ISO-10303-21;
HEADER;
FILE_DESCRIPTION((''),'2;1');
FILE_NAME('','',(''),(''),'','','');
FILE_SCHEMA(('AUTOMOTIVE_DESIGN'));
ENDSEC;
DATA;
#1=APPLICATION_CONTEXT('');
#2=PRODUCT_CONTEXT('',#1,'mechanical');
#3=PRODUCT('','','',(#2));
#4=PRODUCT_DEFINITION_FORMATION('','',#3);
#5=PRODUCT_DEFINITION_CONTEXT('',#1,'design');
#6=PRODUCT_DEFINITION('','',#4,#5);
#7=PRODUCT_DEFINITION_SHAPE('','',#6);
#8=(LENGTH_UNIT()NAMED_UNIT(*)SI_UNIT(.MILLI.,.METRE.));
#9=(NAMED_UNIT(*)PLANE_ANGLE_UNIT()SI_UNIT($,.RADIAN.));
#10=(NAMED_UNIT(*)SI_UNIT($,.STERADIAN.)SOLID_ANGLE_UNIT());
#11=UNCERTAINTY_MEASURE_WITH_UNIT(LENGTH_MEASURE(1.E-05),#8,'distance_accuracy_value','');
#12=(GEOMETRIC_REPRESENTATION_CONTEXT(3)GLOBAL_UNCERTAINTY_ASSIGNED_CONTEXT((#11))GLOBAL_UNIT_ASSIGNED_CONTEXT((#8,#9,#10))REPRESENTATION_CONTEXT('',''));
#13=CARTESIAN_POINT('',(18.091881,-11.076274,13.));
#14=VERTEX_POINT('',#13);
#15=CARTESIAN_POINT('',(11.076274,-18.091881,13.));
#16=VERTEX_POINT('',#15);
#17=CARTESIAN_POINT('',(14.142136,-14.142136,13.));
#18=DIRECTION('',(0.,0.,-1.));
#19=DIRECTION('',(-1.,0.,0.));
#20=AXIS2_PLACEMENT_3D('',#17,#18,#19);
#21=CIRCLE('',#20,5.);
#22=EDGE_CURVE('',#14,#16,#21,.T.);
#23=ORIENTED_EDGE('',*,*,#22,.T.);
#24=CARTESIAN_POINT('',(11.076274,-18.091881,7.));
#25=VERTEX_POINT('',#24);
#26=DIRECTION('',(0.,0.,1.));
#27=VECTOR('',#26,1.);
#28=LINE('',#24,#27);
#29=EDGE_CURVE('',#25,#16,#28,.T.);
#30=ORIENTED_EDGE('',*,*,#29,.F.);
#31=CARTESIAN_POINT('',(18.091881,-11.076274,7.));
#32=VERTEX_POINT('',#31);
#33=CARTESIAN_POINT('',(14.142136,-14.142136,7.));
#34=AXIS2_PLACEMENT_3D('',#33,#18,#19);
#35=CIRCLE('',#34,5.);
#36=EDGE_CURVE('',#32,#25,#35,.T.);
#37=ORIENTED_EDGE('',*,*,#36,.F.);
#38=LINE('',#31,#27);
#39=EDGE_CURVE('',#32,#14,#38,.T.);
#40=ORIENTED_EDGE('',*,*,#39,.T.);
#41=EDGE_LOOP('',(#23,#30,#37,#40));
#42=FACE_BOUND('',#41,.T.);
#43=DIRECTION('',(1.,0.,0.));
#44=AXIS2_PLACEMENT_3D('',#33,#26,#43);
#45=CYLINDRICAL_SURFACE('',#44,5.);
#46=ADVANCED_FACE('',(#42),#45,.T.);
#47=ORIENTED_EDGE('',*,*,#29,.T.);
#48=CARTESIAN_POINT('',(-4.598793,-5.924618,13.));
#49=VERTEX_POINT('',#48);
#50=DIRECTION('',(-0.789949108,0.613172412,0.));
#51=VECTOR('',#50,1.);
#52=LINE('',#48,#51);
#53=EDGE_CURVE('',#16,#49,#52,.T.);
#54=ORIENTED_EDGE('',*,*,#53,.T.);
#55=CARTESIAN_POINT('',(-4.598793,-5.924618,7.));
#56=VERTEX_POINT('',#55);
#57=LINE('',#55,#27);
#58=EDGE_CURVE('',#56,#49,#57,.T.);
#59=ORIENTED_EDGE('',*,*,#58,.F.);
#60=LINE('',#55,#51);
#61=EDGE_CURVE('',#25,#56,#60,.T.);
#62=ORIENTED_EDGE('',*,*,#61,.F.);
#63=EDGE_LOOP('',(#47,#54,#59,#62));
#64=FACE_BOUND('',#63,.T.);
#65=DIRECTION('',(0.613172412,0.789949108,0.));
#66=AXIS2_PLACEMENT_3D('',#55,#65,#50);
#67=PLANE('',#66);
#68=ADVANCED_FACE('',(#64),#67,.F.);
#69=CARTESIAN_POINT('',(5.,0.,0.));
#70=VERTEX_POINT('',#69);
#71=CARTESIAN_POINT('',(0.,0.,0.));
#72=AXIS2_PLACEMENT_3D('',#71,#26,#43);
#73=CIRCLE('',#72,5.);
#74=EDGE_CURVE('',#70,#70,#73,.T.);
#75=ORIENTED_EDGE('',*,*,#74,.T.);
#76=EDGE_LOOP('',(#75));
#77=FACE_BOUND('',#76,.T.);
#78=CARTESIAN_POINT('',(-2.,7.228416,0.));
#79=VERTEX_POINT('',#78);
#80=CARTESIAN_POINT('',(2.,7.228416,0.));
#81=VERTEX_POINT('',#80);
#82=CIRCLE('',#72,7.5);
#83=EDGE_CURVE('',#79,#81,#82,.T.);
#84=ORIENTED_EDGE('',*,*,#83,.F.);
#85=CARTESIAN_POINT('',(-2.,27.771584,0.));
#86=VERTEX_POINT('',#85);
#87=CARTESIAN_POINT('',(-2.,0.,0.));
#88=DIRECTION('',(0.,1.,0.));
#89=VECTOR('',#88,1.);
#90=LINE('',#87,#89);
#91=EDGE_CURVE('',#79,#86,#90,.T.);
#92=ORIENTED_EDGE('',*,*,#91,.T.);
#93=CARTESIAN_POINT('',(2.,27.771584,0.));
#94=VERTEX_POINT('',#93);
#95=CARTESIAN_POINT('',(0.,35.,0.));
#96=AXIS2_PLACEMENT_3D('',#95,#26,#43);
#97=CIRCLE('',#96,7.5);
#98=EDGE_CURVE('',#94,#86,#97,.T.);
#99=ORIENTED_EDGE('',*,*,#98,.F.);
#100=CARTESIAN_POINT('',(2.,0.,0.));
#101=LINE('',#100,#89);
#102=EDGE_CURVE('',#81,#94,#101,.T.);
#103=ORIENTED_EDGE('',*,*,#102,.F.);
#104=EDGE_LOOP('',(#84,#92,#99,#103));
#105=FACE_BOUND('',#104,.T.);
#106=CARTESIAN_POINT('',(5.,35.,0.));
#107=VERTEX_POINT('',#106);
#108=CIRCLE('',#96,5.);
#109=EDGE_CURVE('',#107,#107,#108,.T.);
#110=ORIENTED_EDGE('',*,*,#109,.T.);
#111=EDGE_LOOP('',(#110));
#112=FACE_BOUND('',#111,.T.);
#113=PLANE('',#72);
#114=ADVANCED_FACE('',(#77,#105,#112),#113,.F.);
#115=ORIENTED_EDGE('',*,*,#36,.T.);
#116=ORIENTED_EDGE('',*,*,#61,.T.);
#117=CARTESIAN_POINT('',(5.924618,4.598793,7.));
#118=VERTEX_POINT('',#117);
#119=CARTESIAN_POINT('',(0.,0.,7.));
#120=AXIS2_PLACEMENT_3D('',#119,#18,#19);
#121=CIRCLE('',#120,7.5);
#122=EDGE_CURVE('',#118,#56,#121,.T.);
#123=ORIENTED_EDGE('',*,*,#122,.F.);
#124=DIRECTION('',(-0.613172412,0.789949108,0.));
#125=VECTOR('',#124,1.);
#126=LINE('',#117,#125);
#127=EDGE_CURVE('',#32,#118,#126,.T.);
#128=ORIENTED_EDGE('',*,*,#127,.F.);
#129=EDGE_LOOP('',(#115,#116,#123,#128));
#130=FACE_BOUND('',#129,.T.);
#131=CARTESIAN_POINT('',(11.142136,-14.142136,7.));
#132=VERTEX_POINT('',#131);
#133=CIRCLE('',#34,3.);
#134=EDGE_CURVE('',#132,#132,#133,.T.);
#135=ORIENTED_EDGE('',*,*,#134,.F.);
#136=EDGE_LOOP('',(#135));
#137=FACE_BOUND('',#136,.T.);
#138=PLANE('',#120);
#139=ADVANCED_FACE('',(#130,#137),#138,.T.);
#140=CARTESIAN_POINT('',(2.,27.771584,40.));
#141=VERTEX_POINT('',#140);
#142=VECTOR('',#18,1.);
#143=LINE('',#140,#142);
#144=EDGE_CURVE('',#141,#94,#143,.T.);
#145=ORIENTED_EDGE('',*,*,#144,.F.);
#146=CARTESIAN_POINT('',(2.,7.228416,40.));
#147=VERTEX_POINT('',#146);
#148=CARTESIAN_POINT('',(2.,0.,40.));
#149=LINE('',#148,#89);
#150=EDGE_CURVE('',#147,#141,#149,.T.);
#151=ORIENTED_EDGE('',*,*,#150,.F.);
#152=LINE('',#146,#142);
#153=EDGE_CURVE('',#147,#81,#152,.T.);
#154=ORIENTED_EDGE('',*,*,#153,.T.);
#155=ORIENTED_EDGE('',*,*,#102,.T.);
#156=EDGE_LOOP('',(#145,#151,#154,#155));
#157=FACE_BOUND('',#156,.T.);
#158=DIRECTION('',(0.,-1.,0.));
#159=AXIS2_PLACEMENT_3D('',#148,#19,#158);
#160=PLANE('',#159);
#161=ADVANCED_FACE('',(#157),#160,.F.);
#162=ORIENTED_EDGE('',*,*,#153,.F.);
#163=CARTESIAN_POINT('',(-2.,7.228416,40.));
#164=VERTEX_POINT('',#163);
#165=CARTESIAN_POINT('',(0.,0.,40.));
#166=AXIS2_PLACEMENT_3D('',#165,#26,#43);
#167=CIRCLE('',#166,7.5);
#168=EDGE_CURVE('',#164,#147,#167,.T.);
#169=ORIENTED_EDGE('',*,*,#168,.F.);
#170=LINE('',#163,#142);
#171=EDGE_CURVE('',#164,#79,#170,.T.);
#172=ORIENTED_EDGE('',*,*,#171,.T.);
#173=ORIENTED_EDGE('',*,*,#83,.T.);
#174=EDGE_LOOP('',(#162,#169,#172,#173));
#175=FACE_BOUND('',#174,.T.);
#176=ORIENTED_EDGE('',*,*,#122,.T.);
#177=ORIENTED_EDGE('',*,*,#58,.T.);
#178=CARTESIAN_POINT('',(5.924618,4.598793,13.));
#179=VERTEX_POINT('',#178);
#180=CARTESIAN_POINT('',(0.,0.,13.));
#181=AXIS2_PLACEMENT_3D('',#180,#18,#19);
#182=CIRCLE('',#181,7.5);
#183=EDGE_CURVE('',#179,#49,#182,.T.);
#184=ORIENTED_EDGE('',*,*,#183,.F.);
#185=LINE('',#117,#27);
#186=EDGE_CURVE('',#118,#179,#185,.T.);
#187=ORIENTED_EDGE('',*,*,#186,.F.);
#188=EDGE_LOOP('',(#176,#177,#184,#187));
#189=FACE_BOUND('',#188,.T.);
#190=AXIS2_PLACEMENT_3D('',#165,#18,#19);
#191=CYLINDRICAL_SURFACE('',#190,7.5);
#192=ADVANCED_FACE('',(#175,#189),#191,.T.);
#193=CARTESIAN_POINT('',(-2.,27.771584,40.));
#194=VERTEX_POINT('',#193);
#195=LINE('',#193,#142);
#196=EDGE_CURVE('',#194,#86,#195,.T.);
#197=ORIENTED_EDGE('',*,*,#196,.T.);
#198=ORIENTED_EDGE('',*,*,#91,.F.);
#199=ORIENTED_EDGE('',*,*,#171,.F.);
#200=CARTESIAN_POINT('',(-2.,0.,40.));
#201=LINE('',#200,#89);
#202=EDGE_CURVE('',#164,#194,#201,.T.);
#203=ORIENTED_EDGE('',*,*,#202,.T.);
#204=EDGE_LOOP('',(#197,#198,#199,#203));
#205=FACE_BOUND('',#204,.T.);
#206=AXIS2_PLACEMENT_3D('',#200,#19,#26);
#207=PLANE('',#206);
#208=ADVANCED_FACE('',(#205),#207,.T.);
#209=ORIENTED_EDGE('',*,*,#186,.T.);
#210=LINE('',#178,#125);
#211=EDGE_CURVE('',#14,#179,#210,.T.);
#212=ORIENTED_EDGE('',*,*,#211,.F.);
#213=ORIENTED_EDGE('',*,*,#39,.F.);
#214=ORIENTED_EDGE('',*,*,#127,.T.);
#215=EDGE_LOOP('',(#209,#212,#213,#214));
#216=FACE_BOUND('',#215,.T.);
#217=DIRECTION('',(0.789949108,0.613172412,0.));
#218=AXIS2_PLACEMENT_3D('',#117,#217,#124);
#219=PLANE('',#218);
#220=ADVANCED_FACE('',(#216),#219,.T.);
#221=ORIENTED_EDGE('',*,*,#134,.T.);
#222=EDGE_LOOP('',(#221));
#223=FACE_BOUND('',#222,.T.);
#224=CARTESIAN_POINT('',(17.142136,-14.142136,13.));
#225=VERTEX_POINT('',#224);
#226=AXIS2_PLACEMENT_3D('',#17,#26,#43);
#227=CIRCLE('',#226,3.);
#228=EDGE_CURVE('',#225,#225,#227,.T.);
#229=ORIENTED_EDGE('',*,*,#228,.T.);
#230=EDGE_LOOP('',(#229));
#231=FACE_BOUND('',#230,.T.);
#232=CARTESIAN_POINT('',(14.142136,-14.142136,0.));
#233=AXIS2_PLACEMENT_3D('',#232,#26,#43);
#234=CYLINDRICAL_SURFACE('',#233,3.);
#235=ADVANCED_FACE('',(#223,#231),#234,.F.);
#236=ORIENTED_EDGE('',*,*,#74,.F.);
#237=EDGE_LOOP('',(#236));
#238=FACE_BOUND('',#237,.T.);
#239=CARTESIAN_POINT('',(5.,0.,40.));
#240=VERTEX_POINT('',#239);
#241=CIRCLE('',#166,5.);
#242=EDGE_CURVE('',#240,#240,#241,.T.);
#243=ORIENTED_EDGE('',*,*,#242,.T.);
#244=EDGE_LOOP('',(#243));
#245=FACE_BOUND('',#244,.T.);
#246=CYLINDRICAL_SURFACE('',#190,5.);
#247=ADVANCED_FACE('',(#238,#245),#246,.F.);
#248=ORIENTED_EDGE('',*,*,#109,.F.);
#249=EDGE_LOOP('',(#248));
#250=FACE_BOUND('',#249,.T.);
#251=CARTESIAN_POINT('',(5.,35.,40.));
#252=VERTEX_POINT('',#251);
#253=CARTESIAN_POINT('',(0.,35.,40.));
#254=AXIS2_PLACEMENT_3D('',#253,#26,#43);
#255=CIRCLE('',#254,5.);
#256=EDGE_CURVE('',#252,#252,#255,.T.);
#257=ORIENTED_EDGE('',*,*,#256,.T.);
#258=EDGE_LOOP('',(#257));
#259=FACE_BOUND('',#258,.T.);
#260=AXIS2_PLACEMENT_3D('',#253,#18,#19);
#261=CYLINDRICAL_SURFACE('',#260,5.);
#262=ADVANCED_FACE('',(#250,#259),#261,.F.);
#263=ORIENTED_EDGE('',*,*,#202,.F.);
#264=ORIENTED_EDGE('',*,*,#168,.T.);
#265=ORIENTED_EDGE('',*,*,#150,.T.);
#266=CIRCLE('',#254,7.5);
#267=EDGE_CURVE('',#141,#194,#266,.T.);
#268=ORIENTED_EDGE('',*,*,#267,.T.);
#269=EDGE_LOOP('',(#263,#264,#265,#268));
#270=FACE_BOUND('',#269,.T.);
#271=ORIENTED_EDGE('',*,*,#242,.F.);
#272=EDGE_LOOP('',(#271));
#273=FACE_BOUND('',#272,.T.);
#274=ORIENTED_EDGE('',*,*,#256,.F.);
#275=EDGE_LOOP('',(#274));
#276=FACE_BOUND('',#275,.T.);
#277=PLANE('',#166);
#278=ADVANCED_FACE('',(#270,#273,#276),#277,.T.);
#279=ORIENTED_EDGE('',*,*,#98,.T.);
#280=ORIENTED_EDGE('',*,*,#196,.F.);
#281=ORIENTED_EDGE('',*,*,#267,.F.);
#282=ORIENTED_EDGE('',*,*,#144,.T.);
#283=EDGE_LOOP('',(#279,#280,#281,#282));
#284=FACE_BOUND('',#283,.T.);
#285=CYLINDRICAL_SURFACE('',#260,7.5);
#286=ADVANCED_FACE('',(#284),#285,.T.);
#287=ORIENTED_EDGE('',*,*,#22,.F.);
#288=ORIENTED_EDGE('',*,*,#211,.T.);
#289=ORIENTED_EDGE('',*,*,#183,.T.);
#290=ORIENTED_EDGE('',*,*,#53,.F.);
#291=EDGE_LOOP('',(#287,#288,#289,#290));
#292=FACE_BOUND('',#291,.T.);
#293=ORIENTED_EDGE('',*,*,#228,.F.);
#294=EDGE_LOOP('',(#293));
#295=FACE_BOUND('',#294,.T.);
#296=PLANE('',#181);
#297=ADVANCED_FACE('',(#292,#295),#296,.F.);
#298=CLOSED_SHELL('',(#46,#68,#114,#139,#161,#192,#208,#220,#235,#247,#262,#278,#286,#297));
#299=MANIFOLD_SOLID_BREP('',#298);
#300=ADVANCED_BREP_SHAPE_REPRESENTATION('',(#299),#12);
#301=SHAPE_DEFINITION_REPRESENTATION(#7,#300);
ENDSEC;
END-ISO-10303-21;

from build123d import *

# Parameters (mm, degrees)
SKETCH_1_R          = 7.5
SKETCH_1_R_2        = 5
SKETCH_1_W          = 4
SKETCH_1_H          = 25
EXTRUDE_1_DEPTH     = 40
SKETCH_3_R          = 5
EXTRUDE_2_DEPTH     = 3
SKETCH_4_R          = 3
CUT_EXTRUDE_2_DEPTH = 54.867163989


with BuildPart() as part:
    # Эскиз1 → Бобышка-Вытянуть1 (new body)
    # profile 1 of 3: a face of its own
    with BuildSketch(Plane.XY):
        Circle(SKETCH_1_R)
        Circle(SKETCH_1_R_2, mode=Mode.SUBTRACT)
    # profile 2 of 3: a face of its own
    with BuildSketch(Plane.XY):
        with Locations((0, 35)):
            Circle(SKETCH_1_R)
        with Locations((0, 35)):
            Circle(SKETCH_1_R_2, mode=Mode.SUBTRACT)
    # profile 3 of 3: a face of its own
    with BuildSketch(Plane.XY):
        with Locations((0, 17.5)):
            Rectangle(SKETCH_1_W, SKETCH_1_H)
    extrude(amount=EXTRUDE_1_DEPTH)

    # Эскиз3 → Бобышка-Вытянуть2 (add, symmetric)
    with BuildSketch(Plane(origin=(0, 0, 10), x_dir=(-1, 0, 0), z_dir=(0, 0, -1))):
        with BuildLine():
            Line((-5.924618308, 4.598793093), (-18.091881162, -11.076273562))
            ThreePointArc((-18.091881162, -11.076273562), (-12.52175414, -9.411980886), (-9.142135624, -14.142135624))
            ThreePointArc((-9.142135624, -14.142135624), (-9.651628397, -16.34107738), (-11.076273562, -18.091881162))
            Line((-11.076273562, -18.091881162), (4.598793093, -5.924618308))
            Line((4.598793093, -5.924618308), (3.065862062, -3.949745538))
            ThreePointArc((3.065862062, -3.949745538), (-3.535533906, -3.535533906), (-3.949745538, 3.065862062))
            Line((-3.949745538, 3.065862062), (-5.924618308, 4.598793093))
        make_face()
        with Locations((-14.142135624, -14.142135624)):
            Circle(SKETCH_3_R)
    extrude(amount=EXTRUDE_2_DEPTH, both=True)

    # Эскиз4 → Вырез-Вытянуть2 (cut, through all)
    with BuildSketch(Plane.XY.offset(13)):
        with Locations((14.142135624, -14.142135624)):
            Circle(SKETCH_4_R)
    extrude(amount=-CUT_EXTRUDE_2_DEPTH, mode=Mode.SUBTRACT)


solid = part.part
